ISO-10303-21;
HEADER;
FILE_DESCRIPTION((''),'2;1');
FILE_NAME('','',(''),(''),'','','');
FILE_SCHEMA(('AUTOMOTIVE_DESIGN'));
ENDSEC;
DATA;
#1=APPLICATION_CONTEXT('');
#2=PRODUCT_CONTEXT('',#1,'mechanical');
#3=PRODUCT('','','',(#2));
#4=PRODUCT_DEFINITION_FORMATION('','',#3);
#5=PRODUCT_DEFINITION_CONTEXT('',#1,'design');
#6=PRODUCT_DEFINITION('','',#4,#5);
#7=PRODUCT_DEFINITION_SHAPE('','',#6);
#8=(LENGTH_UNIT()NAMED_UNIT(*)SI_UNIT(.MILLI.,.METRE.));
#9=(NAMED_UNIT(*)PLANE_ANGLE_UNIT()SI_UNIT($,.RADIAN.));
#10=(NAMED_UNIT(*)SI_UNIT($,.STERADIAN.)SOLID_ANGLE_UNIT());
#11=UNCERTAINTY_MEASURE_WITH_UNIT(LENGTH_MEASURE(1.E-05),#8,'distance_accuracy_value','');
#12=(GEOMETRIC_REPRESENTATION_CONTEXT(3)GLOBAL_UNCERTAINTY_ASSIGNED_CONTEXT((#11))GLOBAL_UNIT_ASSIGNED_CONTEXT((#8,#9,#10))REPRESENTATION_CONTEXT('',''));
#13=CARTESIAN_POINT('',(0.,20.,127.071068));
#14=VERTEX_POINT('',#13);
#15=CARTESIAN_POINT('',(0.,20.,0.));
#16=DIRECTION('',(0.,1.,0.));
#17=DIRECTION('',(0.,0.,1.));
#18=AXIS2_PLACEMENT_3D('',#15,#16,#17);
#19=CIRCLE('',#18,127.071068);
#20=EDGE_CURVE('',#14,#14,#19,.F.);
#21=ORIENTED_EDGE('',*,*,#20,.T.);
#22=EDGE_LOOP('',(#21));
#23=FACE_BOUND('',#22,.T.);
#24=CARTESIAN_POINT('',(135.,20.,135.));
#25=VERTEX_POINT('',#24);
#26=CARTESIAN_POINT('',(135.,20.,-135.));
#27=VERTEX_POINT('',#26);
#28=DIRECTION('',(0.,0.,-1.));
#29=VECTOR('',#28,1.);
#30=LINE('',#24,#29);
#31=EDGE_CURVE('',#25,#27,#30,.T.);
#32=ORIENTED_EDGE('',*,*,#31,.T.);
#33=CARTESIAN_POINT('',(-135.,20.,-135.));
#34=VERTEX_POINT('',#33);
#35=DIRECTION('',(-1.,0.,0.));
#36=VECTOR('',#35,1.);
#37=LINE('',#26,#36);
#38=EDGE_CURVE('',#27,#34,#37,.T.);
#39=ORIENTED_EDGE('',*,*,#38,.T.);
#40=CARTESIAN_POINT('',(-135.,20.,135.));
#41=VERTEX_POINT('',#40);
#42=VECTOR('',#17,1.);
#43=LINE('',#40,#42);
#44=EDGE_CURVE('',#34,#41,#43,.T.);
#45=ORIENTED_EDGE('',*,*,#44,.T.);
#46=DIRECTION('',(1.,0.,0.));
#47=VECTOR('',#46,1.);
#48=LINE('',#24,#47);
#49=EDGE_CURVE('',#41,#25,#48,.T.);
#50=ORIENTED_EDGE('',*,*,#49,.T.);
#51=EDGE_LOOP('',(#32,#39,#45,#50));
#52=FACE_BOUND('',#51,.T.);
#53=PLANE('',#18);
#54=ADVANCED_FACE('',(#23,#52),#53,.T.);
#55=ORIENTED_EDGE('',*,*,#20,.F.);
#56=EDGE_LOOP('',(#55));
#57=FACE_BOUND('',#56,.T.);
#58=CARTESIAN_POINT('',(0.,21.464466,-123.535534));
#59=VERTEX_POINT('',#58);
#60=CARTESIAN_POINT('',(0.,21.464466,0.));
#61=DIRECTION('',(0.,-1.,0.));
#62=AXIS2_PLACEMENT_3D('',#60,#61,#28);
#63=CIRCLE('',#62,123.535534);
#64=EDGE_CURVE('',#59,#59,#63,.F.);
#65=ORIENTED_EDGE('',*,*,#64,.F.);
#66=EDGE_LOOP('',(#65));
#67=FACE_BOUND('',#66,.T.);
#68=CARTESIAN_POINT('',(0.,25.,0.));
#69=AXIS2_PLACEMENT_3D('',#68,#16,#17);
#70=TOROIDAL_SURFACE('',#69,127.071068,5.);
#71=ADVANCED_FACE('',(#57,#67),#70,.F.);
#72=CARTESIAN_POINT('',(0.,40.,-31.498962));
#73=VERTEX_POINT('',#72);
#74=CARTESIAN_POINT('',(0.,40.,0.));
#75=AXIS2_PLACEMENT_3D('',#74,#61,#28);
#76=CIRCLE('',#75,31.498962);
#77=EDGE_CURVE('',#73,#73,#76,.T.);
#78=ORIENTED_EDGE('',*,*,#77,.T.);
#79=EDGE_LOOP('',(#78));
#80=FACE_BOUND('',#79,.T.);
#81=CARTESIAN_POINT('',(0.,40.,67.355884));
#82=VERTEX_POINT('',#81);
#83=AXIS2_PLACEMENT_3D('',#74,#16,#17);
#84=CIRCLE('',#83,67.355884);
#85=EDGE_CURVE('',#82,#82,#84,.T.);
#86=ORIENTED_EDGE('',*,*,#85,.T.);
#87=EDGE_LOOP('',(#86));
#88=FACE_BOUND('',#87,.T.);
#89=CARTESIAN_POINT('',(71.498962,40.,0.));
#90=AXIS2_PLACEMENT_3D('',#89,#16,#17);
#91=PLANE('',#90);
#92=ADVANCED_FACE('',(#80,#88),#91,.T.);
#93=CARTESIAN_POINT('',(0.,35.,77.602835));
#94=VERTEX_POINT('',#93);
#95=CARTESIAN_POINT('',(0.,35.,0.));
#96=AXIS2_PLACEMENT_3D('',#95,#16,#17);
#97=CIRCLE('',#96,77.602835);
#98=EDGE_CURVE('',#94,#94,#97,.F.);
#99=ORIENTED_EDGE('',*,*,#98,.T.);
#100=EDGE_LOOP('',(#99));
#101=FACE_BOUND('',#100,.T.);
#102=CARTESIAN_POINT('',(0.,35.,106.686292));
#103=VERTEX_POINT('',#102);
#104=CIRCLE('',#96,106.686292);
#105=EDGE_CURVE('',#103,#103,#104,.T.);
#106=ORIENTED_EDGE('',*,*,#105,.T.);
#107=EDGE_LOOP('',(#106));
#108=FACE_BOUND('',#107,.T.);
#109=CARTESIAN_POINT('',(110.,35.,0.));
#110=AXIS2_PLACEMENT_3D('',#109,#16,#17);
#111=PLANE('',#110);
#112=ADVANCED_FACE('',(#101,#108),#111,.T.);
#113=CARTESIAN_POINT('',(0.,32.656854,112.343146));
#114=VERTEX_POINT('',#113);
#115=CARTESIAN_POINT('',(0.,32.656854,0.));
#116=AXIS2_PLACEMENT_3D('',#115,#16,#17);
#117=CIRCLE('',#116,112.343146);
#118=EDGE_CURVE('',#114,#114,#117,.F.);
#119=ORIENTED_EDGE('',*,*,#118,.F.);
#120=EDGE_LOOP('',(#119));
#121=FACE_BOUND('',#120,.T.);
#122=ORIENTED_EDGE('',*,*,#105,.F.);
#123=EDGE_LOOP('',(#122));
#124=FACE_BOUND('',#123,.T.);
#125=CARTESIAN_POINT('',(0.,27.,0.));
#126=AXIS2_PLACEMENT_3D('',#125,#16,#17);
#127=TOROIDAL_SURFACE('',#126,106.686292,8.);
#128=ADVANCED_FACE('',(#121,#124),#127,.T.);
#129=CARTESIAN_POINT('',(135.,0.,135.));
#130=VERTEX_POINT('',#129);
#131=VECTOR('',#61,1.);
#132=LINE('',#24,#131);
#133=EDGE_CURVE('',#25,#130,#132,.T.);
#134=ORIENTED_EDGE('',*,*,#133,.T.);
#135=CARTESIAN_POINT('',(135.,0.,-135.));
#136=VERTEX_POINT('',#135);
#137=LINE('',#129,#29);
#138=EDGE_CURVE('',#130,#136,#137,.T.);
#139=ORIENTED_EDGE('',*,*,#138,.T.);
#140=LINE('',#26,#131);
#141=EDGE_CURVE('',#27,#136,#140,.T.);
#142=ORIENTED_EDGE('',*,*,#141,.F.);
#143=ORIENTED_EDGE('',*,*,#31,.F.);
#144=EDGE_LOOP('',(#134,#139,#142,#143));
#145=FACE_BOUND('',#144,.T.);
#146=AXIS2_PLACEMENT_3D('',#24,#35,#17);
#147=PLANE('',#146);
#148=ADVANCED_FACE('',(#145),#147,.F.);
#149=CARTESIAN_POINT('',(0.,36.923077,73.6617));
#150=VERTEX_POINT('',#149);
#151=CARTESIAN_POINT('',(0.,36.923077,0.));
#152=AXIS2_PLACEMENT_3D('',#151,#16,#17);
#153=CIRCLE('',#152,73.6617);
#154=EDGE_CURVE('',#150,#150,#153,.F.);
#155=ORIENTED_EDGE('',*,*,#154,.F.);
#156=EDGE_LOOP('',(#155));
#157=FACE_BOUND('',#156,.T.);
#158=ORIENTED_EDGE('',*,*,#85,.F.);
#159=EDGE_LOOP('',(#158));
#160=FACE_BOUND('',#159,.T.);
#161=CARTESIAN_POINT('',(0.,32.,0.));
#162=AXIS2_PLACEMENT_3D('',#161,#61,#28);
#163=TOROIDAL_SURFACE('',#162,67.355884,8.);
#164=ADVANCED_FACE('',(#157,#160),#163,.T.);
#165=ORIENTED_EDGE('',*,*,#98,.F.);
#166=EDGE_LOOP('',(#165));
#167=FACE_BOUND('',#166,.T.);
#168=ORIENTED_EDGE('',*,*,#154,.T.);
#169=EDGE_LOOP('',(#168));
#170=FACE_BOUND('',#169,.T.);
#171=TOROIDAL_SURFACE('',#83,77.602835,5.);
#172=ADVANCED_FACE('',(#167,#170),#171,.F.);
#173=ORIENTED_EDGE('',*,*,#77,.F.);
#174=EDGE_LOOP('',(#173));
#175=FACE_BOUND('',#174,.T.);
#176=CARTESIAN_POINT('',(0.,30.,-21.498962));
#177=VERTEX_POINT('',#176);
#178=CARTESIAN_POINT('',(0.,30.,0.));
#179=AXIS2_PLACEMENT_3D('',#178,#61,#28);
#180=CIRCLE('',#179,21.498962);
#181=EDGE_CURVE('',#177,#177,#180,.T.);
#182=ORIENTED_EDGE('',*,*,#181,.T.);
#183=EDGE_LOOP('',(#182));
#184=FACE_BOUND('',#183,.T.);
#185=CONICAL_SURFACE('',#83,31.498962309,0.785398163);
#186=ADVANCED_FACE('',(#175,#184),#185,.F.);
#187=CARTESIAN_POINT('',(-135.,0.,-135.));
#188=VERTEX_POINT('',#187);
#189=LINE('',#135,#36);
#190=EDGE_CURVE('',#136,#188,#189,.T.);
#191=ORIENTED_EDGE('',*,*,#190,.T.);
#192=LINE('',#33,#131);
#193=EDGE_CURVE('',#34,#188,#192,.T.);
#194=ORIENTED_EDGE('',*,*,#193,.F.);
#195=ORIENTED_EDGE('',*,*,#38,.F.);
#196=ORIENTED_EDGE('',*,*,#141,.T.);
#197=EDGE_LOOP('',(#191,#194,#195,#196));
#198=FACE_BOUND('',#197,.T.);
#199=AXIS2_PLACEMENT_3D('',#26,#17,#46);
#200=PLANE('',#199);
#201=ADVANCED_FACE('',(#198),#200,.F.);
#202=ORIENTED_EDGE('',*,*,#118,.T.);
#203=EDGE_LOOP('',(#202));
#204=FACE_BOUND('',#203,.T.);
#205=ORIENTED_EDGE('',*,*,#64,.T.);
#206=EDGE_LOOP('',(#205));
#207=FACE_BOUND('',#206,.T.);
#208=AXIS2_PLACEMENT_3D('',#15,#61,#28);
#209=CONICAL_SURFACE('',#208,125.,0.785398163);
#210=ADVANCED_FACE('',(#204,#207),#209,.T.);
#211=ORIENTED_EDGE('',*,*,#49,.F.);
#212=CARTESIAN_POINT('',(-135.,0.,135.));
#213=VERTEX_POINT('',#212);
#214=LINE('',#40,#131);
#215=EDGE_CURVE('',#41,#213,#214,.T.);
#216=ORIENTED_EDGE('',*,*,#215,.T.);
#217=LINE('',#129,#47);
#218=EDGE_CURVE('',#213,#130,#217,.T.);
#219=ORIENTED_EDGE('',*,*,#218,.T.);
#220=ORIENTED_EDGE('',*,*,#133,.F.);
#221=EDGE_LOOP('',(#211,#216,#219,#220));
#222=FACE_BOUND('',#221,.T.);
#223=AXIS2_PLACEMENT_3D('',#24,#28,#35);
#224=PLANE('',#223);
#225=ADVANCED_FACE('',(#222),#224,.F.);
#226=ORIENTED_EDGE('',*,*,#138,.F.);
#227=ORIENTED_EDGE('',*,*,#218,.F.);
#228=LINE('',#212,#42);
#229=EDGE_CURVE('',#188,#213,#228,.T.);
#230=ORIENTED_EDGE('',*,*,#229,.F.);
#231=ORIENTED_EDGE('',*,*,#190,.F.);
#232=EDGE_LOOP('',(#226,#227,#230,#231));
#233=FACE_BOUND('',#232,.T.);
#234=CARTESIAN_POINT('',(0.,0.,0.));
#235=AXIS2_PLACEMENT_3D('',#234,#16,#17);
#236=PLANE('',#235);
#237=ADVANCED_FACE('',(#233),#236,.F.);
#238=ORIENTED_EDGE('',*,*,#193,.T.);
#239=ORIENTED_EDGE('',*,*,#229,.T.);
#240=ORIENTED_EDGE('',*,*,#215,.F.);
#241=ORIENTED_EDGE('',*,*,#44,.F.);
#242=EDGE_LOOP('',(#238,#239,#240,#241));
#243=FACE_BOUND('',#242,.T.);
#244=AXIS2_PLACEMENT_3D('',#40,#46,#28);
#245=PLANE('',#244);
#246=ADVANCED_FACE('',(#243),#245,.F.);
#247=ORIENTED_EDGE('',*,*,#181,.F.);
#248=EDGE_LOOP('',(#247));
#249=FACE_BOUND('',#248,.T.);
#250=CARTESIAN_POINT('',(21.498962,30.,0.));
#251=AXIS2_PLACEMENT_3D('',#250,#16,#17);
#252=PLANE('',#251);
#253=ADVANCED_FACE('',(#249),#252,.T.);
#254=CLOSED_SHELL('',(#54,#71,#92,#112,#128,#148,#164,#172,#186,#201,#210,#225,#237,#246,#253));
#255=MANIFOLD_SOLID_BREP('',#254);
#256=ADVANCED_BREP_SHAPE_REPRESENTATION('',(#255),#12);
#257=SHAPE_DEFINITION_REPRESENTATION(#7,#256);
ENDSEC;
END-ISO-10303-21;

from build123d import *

# Parameters (mm, degrees)
SKETCH_1_W      = 270
SKETCH_1_H      = 270
EXTRUDE_1_DEPTH = 20
FILLET_1_R      = 5
FILLET_2_R      = 8


with BuildPart() as part:
    # 草图1 → 凸台-拉伸1 (new body)
    with BuildSketch(Plane(origin=(0, 0, 0), x_dir=(1, 0, 0), z_dir=(0, 1, 0))):
        Rectangle(SKETCH_1_W, SKETCH_1_H)
    extrude(amount=EXTRUDE_1_DEPTH)

    # 草图2 → 旋转1 (revolve)
    with BuildSketch(Plane.XY):
        Polygon((0, 20), (125, 20), (110, 35), (75, 35), (71.498962309, 40), (31.498962309, 40), (21.498962309, 30), (0, 30), align=None)
    revolve(axis=Axis((0, 0, 0), (0, 1, 0)))

    # 圆角1
    fillet_1_edges = [part.edges().sort_by_distance(p)[0] for p in [
        (-125, 20, 0),
        (-75, 35, 0),
    ]]
    fillet(fillet_1_edges, radius=FILLET_1_R)

    # 圆角2
    fillet_2_edges = [part.edges().sort_by_distance(p)[0] for p in [
        (-71.498962309, 40, 0),
        (-110, 35, 0),
    ]]
    fillet(fillet_2_edges, radius=FILLET_2_R)


solid = part.part
